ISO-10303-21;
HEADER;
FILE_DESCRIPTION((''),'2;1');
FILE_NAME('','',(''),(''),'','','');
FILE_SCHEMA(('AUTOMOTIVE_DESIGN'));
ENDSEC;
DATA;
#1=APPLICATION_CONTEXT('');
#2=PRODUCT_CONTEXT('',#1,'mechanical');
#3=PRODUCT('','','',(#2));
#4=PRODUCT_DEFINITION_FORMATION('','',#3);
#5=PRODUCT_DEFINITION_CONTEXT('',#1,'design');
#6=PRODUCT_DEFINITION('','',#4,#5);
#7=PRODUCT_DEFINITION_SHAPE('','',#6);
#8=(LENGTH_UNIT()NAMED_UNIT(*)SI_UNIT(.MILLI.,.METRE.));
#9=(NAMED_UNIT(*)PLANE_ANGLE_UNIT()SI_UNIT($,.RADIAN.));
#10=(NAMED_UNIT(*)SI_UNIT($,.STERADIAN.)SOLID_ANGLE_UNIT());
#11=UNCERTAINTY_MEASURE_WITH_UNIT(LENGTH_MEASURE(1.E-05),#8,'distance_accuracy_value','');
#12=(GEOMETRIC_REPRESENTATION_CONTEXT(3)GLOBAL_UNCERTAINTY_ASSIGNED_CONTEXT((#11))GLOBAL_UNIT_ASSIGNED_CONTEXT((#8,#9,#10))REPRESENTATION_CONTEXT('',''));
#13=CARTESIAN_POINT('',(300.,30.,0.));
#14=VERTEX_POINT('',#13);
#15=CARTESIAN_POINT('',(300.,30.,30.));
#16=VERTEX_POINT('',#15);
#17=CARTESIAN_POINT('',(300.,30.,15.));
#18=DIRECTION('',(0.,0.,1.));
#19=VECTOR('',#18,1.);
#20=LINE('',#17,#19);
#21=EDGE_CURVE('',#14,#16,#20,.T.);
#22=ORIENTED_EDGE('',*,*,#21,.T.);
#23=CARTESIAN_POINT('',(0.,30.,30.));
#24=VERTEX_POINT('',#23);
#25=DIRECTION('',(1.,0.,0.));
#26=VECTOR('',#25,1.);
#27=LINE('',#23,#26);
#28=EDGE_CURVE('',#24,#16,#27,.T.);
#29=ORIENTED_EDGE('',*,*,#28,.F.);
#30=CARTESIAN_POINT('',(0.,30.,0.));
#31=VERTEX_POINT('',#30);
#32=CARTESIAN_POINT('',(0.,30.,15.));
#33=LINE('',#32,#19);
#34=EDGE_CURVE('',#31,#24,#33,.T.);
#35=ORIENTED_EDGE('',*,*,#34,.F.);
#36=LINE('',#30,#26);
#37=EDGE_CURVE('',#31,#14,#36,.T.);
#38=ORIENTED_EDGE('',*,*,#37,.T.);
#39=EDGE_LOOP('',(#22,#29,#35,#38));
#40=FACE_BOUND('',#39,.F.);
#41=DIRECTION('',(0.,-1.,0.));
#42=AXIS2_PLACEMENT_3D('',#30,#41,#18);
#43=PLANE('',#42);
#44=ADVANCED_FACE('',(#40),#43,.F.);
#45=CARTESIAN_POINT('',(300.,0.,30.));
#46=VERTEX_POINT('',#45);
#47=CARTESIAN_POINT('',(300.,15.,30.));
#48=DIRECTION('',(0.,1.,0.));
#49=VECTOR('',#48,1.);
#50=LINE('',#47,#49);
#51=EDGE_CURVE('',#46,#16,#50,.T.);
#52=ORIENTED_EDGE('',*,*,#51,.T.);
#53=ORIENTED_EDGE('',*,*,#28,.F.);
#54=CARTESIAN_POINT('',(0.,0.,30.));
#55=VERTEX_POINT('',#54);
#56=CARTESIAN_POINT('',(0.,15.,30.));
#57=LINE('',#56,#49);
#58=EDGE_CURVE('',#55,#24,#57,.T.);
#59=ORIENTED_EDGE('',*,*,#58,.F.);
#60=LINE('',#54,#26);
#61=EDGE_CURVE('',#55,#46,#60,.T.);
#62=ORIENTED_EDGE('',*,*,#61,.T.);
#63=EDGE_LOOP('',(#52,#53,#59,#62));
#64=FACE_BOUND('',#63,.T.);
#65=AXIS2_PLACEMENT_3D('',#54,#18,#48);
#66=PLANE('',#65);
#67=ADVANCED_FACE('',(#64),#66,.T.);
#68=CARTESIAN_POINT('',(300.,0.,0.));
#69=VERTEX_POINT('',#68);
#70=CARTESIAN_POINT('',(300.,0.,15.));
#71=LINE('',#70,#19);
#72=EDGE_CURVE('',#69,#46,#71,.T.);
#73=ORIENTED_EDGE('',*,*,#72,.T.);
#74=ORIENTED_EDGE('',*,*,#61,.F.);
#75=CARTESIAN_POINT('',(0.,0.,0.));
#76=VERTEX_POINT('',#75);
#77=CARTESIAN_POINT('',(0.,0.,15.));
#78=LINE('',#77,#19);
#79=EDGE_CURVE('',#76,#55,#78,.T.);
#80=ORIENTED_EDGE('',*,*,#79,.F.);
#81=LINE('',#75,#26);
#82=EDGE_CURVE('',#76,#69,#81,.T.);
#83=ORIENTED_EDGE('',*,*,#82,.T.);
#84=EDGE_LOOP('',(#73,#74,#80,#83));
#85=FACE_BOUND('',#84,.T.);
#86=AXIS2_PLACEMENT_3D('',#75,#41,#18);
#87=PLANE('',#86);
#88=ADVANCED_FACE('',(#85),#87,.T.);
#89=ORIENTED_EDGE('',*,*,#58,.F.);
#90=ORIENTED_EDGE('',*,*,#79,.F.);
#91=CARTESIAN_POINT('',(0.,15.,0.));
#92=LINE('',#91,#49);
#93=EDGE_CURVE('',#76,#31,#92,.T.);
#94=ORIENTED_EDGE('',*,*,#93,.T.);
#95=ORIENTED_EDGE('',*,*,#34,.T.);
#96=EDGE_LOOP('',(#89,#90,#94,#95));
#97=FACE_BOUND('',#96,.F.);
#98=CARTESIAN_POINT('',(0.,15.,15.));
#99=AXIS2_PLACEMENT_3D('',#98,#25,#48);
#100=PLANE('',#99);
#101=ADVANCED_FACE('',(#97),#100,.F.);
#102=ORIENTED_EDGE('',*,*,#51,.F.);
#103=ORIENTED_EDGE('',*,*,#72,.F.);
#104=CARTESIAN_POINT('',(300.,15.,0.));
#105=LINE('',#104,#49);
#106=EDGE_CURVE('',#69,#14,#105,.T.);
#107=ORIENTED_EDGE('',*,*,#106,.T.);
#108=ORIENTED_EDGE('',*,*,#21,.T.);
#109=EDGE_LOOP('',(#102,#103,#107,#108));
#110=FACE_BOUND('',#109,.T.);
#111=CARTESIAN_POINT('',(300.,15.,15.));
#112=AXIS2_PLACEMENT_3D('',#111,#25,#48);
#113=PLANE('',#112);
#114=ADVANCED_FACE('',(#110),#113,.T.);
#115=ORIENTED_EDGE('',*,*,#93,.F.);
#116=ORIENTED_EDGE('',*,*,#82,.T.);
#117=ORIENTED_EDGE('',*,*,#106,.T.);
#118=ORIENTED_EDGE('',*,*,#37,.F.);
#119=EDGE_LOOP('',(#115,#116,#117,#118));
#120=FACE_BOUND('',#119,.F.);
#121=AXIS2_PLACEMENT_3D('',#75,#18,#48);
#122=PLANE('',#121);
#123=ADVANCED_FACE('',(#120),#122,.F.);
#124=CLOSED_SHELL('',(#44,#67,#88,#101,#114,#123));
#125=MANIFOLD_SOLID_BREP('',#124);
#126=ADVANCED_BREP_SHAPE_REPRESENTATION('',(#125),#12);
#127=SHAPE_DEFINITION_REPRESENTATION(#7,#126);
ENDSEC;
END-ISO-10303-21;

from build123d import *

# Parameters (mm, degrees)
SKETCH_W  = 30
SKETCH_H  = 30
PAD_DEPTH = 300


with BuildPart() as part:
    # Sketch → Pad (new body)
    with BuildSketch(Plane.YZ):
        with Locations((15, 15)):
            Rectangle(SKETCH_W, SKETCH_H)
    extrude(amount=PAD_DEPTH)


solid = part.part
